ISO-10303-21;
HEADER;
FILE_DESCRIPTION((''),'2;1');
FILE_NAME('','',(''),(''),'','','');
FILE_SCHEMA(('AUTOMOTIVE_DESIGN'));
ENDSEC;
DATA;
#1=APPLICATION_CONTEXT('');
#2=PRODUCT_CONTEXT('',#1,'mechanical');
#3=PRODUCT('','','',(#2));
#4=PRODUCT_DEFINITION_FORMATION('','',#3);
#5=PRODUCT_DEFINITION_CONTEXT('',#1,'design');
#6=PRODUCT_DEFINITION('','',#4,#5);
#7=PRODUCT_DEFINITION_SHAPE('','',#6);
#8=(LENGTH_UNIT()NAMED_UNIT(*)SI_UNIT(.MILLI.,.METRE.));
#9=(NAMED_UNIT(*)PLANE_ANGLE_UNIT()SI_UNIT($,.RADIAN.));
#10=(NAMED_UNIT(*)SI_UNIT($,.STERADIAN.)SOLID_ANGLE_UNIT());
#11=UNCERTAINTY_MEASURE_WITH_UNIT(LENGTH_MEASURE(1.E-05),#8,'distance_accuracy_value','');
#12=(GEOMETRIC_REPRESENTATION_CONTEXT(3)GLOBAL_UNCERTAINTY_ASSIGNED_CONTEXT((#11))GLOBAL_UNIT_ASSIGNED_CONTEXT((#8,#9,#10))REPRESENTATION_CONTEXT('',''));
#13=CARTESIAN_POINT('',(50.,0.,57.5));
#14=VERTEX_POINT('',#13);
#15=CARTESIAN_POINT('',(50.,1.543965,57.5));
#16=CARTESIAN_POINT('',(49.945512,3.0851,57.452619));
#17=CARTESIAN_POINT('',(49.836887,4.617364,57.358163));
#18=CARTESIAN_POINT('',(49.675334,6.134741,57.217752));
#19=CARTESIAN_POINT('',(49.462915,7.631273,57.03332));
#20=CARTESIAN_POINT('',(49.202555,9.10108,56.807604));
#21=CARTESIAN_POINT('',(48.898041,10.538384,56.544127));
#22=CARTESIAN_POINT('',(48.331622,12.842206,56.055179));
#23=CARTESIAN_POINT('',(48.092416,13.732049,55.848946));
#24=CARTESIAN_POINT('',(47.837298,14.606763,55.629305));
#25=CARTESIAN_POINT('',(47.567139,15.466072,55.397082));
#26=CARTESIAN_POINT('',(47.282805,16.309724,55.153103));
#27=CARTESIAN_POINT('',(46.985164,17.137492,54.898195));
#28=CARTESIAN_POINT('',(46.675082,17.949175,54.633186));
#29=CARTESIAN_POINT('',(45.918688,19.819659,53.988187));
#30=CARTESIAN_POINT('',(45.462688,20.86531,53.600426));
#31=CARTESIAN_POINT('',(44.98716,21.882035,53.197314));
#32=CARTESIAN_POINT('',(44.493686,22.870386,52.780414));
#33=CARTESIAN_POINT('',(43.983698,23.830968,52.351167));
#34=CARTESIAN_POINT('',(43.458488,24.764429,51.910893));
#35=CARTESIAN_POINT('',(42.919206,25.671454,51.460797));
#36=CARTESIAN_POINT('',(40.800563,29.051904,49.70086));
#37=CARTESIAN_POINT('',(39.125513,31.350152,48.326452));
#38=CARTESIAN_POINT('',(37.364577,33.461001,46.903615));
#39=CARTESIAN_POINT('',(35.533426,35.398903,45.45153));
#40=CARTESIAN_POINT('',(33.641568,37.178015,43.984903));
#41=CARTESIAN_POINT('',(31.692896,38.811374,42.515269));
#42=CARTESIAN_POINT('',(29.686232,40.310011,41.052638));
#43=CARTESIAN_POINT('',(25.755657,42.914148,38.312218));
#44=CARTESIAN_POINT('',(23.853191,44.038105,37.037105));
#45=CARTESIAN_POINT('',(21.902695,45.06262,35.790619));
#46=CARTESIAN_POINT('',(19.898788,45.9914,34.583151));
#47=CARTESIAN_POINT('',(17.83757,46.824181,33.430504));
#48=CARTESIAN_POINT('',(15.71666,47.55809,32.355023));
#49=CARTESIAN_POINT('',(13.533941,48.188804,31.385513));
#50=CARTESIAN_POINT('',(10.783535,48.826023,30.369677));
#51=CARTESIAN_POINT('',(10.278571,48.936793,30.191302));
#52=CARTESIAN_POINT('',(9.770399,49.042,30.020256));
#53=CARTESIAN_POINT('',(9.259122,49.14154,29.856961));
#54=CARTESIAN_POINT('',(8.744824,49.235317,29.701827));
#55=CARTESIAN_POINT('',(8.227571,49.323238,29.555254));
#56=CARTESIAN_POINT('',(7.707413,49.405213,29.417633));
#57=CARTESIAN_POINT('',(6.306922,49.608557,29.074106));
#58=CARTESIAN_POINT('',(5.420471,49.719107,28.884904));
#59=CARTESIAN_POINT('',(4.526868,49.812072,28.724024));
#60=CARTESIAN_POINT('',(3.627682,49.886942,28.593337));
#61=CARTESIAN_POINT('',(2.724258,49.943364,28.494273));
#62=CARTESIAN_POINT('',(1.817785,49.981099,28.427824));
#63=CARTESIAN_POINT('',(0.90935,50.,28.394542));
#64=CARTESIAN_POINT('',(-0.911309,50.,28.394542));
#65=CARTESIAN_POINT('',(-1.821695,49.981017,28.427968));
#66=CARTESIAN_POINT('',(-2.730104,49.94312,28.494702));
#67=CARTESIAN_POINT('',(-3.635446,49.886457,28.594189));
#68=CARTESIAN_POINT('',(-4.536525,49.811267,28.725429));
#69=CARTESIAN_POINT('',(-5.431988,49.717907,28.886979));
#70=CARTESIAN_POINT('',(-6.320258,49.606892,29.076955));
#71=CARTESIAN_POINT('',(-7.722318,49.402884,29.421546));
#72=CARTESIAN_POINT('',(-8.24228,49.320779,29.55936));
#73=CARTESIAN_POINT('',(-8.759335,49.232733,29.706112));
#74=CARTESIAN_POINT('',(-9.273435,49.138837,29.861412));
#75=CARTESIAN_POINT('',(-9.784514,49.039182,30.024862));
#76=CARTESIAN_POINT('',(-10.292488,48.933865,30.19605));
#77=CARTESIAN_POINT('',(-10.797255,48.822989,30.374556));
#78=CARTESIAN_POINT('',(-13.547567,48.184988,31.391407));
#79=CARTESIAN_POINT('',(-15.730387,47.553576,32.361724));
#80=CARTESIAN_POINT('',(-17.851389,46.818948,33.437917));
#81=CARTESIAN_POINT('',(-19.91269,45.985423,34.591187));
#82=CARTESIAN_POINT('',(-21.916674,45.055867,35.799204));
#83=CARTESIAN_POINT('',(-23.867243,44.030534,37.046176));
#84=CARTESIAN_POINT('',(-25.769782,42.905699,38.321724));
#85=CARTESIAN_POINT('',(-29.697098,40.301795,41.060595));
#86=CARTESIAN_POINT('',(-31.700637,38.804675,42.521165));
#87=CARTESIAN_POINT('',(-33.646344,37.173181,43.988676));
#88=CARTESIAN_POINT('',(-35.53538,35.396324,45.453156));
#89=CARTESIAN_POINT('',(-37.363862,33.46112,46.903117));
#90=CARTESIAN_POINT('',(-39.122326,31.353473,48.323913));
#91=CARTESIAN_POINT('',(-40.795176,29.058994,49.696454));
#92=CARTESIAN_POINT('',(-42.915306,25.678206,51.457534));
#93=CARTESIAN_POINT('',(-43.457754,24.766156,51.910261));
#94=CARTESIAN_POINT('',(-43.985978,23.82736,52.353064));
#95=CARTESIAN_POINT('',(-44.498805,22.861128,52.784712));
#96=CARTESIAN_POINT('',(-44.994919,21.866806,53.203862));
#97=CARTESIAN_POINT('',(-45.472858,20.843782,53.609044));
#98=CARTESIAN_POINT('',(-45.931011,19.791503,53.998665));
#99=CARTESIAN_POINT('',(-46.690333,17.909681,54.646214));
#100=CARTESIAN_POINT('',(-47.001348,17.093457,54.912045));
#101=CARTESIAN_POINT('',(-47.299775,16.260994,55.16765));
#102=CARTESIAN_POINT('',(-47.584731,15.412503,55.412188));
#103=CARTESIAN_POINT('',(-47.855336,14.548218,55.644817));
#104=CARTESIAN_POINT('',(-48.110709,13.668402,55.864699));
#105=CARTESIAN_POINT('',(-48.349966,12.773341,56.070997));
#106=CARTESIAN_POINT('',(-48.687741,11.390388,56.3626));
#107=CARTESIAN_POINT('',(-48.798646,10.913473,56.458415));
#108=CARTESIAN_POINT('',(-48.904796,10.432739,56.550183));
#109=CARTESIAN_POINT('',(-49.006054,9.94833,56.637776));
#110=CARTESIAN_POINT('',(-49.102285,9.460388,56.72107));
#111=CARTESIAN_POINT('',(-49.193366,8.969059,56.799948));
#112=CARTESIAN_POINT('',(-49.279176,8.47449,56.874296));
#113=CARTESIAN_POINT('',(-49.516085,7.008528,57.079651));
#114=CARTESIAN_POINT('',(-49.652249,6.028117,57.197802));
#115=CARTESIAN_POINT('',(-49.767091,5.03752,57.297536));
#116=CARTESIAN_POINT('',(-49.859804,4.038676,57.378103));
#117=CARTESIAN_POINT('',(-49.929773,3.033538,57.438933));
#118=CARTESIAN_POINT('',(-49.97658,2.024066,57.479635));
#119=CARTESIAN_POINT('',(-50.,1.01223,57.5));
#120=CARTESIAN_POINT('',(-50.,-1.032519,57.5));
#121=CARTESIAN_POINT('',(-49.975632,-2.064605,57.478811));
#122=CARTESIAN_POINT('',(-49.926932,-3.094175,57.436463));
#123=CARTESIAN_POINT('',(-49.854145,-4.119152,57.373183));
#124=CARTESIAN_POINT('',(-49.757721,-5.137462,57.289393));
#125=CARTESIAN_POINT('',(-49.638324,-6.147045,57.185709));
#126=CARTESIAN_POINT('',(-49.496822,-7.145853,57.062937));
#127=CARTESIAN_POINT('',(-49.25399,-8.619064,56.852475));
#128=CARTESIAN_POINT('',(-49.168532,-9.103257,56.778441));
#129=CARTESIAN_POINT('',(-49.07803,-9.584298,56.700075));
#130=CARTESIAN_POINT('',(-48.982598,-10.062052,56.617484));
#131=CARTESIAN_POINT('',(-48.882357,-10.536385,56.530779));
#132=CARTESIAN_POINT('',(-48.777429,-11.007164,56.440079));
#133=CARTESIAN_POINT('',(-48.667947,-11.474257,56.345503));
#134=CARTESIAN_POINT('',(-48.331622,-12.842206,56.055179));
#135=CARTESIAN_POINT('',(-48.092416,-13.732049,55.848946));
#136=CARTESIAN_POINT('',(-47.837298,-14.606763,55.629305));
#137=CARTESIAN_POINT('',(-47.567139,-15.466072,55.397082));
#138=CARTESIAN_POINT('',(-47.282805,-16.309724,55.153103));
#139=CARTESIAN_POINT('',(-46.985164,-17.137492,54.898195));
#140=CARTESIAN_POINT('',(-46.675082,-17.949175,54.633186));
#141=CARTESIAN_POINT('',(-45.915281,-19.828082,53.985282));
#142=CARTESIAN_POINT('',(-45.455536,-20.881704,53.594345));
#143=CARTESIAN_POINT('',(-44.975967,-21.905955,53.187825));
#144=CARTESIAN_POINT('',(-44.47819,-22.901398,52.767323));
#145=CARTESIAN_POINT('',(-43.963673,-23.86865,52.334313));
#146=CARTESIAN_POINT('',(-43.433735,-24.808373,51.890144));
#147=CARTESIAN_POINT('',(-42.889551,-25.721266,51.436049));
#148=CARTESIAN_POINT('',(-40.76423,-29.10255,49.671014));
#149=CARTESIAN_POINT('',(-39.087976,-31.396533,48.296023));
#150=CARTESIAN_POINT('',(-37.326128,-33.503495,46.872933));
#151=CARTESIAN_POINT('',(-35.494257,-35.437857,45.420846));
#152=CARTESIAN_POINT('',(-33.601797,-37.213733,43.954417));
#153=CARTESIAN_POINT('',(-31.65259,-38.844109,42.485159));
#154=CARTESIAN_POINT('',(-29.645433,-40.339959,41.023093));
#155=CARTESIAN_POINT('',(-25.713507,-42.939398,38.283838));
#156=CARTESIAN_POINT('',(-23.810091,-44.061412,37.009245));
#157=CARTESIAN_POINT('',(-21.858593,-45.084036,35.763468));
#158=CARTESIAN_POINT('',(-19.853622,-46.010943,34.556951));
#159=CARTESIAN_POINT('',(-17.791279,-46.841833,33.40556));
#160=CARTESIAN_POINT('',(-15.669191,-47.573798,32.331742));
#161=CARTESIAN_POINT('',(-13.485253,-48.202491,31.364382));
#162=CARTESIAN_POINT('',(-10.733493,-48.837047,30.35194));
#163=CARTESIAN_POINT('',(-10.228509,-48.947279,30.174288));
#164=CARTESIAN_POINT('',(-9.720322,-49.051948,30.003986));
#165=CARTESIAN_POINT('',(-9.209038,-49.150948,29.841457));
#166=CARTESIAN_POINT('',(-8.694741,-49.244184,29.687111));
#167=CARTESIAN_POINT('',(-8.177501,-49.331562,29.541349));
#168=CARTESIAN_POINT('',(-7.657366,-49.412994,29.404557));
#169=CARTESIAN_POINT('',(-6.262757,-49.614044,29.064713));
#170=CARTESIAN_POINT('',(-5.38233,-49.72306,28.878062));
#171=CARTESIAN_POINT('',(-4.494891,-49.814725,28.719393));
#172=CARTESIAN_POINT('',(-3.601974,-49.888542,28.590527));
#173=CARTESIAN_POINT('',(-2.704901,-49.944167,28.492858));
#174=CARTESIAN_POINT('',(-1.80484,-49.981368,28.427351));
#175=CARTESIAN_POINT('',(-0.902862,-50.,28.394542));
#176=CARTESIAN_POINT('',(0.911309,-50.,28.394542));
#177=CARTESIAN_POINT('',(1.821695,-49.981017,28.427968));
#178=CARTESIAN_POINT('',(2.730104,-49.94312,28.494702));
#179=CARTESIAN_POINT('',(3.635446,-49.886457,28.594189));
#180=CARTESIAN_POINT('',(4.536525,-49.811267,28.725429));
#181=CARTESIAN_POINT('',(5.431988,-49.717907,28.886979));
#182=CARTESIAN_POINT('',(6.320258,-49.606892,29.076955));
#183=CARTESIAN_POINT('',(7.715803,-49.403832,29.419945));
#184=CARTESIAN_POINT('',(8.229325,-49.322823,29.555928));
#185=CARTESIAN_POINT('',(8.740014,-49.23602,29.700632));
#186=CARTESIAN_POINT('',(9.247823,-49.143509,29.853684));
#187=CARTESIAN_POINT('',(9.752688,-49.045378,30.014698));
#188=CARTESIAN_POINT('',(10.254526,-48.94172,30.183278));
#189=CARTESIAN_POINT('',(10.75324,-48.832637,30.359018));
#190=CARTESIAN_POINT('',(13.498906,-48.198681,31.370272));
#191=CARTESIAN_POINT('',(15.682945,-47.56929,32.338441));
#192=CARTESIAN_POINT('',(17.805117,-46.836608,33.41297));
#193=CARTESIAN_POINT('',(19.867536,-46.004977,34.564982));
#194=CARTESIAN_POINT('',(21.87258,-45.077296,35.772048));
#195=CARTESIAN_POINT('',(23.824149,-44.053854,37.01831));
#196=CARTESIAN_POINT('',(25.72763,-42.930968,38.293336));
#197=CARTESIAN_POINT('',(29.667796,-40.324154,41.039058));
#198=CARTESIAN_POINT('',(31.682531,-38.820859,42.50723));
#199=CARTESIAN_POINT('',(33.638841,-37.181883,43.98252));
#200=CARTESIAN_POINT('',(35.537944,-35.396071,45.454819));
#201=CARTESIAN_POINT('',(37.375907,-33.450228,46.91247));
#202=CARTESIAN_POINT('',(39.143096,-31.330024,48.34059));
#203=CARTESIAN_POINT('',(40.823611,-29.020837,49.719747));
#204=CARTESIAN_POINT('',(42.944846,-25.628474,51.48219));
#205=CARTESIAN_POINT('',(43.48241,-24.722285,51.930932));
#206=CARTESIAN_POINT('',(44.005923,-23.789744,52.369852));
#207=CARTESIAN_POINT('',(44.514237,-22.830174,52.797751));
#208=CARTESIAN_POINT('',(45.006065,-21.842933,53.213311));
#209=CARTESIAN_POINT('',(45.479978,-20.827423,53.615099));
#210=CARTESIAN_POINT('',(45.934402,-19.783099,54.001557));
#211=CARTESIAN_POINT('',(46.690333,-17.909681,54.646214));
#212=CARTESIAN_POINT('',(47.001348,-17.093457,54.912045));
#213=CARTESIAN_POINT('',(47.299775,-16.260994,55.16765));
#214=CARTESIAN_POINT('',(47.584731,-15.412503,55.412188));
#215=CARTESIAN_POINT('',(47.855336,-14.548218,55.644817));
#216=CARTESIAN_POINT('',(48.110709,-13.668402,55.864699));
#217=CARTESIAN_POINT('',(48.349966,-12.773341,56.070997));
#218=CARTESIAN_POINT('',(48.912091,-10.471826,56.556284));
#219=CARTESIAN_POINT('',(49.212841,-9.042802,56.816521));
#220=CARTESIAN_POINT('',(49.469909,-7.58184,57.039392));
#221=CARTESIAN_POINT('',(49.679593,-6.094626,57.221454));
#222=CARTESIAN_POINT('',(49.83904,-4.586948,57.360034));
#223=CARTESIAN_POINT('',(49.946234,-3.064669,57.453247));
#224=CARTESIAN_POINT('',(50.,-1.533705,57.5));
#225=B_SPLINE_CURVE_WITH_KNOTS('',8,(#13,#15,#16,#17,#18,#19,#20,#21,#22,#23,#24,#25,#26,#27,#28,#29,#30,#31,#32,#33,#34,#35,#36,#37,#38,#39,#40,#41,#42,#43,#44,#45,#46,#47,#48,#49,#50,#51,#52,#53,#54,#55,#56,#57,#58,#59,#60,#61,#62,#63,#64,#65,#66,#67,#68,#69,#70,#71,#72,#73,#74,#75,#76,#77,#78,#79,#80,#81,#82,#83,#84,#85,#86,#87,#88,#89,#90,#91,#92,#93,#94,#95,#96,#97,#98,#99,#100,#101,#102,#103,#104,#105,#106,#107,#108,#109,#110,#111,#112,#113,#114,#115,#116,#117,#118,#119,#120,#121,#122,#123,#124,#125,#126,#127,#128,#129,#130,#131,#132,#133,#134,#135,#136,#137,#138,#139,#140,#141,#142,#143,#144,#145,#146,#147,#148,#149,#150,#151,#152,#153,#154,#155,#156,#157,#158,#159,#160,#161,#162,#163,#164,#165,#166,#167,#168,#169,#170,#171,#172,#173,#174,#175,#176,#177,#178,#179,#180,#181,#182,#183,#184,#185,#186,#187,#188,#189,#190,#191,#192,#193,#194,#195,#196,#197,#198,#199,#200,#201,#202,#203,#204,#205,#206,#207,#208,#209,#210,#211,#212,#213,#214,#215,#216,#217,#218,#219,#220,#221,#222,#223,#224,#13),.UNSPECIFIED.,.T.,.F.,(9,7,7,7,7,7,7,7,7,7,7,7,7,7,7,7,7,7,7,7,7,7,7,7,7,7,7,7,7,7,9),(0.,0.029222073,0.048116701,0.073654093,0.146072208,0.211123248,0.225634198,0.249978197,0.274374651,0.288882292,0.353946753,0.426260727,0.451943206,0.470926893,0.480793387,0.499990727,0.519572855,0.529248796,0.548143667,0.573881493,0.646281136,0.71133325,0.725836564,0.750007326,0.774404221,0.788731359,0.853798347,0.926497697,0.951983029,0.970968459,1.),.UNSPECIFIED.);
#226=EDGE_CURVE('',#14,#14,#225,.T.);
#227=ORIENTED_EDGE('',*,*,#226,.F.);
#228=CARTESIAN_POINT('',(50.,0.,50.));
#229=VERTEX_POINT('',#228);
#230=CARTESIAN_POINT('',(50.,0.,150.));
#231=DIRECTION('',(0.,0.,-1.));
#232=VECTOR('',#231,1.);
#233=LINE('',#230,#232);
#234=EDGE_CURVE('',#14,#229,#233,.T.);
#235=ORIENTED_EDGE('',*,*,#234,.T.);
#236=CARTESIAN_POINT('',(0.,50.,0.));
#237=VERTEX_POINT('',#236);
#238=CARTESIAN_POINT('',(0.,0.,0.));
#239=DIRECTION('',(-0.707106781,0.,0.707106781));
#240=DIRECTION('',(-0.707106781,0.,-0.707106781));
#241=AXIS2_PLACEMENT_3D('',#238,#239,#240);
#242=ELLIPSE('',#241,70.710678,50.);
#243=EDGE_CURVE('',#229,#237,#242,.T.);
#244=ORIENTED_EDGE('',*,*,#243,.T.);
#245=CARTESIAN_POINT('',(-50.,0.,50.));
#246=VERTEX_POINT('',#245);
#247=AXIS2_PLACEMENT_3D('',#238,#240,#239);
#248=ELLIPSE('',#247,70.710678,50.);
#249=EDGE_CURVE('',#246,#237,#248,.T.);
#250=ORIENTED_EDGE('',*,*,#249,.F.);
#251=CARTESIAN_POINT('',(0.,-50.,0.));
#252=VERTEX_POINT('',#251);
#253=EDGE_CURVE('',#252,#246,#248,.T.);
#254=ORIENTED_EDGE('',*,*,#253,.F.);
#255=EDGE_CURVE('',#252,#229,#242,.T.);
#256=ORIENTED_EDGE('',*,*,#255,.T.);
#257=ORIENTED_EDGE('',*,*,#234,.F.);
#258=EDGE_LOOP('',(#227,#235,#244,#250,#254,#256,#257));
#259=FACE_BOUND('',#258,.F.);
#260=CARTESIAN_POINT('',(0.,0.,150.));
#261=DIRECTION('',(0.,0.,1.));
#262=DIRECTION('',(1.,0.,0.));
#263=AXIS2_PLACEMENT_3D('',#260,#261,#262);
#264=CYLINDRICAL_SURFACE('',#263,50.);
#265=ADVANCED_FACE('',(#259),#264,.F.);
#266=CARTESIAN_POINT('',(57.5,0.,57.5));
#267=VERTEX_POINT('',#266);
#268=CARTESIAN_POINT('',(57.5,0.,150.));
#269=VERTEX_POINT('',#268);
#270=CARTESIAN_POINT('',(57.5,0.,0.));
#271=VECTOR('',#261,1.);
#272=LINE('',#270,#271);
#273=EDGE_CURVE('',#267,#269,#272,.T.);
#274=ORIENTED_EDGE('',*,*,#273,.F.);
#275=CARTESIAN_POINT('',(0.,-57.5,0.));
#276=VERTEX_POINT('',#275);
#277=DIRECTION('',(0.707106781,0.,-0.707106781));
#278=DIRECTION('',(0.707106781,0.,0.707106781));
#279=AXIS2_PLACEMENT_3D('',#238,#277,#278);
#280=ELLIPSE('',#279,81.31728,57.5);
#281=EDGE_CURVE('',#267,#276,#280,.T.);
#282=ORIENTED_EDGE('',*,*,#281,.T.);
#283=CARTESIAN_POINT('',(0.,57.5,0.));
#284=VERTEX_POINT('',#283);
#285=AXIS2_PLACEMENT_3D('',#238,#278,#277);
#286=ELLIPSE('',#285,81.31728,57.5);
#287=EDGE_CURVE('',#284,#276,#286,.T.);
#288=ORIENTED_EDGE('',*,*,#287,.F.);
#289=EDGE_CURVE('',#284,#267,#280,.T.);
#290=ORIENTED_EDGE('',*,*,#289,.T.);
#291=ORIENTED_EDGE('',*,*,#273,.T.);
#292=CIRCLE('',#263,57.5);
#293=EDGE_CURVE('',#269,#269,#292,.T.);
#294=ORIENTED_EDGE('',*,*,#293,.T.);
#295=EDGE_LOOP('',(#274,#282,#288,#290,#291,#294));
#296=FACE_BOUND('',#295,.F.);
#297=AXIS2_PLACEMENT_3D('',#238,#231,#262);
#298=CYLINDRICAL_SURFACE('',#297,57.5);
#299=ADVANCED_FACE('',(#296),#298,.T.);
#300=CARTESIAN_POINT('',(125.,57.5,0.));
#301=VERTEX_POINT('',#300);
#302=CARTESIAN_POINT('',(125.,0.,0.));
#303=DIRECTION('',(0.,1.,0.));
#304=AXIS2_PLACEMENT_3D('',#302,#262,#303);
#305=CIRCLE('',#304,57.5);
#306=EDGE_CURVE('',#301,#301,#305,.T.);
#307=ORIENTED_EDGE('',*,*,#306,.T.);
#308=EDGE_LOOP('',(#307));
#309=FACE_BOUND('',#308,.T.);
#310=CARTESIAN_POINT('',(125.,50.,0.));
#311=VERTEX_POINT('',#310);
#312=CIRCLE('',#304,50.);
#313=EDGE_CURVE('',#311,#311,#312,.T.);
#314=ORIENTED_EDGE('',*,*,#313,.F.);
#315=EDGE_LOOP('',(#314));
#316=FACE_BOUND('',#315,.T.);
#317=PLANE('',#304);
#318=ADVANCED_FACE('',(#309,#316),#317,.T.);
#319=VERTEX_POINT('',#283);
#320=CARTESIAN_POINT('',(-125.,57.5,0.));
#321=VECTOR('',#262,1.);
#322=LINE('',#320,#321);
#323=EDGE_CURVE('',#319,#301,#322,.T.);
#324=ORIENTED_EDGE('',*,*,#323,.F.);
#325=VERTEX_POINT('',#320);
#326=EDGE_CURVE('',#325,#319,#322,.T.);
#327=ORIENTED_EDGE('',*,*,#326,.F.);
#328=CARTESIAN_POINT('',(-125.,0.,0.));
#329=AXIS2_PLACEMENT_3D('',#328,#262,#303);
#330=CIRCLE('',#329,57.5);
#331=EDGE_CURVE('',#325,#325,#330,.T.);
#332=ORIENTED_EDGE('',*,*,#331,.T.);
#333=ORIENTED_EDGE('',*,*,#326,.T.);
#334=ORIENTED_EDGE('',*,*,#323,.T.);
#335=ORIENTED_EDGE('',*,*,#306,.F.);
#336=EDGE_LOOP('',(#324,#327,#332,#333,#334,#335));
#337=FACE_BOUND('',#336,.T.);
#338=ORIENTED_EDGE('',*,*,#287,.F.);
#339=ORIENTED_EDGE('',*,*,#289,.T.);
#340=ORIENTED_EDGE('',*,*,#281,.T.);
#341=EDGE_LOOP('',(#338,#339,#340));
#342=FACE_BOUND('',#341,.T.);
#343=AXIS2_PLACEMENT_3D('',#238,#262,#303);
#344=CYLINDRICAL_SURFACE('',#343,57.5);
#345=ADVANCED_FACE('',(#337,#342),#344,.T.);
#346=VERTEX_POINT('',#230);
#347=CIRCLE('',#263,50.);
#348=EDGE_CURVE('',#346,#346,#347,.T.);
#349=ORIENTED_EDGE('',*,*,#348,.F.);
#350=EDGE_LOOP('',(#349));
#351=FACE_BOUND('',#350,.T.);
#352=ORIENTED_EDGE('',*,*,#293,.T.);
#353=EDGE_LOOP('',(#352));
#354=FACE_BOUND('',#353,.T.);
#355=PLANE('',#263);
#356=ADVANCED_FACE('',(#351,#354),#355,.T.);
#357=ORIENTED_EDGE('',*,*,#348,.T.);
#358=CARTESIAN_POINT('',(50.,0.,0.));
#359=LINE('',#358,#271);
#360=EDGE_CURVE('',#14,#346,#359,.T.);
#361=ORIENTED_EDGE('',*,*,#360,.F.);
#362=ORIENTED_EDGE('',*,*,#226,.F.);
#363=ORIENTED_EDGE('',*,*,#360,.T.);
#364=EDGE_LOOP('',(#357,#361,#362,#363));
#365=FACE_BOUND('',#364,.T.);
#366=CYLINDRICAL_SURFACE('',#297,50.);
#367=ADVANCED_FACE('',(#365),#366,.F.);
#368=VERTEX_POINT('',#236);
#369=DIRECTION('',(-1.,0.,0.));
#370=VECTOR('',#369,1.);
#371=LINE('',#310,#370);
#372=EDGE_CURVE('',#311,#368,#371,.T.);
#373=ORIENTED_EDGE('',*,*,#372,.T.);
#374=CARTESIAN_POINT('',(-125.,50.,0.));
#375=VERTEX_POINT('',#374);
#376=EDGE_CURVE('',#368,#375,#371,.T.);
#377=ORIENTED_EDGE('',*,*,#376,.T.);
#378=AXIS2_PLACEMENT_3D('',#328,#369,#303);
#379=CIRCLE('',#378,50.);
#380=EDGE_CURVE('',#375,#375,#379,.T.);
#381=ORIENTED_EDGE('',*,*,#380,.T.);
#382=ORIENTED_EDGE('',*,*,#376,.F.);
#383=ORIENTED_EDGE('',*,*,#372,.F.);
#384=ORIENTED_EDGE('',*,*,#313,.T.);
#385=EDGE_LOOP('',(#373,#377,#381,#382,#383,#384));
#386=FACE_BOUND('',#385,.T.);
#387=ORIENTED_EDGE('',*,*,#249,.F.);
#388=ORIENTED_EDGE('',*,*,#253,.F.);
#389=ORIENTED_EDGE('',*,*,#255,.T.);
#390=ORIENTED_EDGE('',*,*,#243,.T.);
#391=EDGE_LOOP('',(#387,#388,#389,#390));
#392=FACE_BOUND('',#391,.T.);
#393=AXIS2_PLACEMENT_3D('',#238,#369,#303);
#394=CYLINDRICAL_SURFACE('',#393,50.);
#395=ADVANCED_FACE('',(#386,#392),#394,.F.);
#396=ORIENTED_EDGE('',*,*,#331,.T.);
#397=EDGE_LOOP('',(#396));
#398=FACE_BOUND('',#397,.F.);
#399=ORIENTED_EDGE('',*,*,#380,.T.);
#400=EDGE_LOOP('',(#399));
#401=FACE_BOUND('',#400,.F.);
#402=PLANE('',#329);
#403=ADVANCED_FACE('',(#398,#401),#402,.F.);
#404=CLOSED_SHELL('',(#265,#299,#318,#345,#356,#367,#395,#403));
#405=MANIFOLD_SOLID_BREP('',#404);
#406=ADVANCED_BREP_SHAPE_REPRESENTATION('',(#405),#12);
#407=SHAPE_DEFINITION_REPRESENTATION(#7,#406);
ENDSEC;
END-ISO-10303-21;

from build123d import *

# Parameters (mm, degrees)
F0_R     = 57.5
F0_R_2   = 50
F1_DEPTH = 125
F2_R     = 57.5
F2_R_2   = 50
F3_DEPTH = 150
F4_R     = 50
F5_DEPTH = 250
F6_R     = 50
F7_DEPTH = 150


with BuildPart() as f1:
    # F0 (on Right) → F1 (new body, symmetric)
    with BuildSketch(Plane.YZ):
        Circle(F0_R)
        Circle(F0_R_2, mode=Mode.SUBTRACT)
    extrude(amount=F1_DEPTH, both=True)

    # F2 (on Top) → F3 (join)
    with BuildSketch(Plane.XY):
        Circle(F2_R)
        Circle(F2_R_2, mode=Mode.SUBTRACT)
    extrude(amount=F3_DEPTH)

    # F4 (on face) → F5 (cut)
    with BuildSketch(Plane(origin=(-125, 0, 0), x_dir=(0, -1, 0), z_dir=(-1, 0, 0))):
        Circle(F4_R)
    extrude(amount=-F5_DEPTH, mode=Mode.SUBTRACT)

    # F6 (on face) → F7 (cut)
    with BuildSketch(Plane.XY.offset(150)):
        Circle(F6_R)
    extrude(amount=-F7_DEPTH, mode=Mode.SUBTRACT)


solid = f1.part
